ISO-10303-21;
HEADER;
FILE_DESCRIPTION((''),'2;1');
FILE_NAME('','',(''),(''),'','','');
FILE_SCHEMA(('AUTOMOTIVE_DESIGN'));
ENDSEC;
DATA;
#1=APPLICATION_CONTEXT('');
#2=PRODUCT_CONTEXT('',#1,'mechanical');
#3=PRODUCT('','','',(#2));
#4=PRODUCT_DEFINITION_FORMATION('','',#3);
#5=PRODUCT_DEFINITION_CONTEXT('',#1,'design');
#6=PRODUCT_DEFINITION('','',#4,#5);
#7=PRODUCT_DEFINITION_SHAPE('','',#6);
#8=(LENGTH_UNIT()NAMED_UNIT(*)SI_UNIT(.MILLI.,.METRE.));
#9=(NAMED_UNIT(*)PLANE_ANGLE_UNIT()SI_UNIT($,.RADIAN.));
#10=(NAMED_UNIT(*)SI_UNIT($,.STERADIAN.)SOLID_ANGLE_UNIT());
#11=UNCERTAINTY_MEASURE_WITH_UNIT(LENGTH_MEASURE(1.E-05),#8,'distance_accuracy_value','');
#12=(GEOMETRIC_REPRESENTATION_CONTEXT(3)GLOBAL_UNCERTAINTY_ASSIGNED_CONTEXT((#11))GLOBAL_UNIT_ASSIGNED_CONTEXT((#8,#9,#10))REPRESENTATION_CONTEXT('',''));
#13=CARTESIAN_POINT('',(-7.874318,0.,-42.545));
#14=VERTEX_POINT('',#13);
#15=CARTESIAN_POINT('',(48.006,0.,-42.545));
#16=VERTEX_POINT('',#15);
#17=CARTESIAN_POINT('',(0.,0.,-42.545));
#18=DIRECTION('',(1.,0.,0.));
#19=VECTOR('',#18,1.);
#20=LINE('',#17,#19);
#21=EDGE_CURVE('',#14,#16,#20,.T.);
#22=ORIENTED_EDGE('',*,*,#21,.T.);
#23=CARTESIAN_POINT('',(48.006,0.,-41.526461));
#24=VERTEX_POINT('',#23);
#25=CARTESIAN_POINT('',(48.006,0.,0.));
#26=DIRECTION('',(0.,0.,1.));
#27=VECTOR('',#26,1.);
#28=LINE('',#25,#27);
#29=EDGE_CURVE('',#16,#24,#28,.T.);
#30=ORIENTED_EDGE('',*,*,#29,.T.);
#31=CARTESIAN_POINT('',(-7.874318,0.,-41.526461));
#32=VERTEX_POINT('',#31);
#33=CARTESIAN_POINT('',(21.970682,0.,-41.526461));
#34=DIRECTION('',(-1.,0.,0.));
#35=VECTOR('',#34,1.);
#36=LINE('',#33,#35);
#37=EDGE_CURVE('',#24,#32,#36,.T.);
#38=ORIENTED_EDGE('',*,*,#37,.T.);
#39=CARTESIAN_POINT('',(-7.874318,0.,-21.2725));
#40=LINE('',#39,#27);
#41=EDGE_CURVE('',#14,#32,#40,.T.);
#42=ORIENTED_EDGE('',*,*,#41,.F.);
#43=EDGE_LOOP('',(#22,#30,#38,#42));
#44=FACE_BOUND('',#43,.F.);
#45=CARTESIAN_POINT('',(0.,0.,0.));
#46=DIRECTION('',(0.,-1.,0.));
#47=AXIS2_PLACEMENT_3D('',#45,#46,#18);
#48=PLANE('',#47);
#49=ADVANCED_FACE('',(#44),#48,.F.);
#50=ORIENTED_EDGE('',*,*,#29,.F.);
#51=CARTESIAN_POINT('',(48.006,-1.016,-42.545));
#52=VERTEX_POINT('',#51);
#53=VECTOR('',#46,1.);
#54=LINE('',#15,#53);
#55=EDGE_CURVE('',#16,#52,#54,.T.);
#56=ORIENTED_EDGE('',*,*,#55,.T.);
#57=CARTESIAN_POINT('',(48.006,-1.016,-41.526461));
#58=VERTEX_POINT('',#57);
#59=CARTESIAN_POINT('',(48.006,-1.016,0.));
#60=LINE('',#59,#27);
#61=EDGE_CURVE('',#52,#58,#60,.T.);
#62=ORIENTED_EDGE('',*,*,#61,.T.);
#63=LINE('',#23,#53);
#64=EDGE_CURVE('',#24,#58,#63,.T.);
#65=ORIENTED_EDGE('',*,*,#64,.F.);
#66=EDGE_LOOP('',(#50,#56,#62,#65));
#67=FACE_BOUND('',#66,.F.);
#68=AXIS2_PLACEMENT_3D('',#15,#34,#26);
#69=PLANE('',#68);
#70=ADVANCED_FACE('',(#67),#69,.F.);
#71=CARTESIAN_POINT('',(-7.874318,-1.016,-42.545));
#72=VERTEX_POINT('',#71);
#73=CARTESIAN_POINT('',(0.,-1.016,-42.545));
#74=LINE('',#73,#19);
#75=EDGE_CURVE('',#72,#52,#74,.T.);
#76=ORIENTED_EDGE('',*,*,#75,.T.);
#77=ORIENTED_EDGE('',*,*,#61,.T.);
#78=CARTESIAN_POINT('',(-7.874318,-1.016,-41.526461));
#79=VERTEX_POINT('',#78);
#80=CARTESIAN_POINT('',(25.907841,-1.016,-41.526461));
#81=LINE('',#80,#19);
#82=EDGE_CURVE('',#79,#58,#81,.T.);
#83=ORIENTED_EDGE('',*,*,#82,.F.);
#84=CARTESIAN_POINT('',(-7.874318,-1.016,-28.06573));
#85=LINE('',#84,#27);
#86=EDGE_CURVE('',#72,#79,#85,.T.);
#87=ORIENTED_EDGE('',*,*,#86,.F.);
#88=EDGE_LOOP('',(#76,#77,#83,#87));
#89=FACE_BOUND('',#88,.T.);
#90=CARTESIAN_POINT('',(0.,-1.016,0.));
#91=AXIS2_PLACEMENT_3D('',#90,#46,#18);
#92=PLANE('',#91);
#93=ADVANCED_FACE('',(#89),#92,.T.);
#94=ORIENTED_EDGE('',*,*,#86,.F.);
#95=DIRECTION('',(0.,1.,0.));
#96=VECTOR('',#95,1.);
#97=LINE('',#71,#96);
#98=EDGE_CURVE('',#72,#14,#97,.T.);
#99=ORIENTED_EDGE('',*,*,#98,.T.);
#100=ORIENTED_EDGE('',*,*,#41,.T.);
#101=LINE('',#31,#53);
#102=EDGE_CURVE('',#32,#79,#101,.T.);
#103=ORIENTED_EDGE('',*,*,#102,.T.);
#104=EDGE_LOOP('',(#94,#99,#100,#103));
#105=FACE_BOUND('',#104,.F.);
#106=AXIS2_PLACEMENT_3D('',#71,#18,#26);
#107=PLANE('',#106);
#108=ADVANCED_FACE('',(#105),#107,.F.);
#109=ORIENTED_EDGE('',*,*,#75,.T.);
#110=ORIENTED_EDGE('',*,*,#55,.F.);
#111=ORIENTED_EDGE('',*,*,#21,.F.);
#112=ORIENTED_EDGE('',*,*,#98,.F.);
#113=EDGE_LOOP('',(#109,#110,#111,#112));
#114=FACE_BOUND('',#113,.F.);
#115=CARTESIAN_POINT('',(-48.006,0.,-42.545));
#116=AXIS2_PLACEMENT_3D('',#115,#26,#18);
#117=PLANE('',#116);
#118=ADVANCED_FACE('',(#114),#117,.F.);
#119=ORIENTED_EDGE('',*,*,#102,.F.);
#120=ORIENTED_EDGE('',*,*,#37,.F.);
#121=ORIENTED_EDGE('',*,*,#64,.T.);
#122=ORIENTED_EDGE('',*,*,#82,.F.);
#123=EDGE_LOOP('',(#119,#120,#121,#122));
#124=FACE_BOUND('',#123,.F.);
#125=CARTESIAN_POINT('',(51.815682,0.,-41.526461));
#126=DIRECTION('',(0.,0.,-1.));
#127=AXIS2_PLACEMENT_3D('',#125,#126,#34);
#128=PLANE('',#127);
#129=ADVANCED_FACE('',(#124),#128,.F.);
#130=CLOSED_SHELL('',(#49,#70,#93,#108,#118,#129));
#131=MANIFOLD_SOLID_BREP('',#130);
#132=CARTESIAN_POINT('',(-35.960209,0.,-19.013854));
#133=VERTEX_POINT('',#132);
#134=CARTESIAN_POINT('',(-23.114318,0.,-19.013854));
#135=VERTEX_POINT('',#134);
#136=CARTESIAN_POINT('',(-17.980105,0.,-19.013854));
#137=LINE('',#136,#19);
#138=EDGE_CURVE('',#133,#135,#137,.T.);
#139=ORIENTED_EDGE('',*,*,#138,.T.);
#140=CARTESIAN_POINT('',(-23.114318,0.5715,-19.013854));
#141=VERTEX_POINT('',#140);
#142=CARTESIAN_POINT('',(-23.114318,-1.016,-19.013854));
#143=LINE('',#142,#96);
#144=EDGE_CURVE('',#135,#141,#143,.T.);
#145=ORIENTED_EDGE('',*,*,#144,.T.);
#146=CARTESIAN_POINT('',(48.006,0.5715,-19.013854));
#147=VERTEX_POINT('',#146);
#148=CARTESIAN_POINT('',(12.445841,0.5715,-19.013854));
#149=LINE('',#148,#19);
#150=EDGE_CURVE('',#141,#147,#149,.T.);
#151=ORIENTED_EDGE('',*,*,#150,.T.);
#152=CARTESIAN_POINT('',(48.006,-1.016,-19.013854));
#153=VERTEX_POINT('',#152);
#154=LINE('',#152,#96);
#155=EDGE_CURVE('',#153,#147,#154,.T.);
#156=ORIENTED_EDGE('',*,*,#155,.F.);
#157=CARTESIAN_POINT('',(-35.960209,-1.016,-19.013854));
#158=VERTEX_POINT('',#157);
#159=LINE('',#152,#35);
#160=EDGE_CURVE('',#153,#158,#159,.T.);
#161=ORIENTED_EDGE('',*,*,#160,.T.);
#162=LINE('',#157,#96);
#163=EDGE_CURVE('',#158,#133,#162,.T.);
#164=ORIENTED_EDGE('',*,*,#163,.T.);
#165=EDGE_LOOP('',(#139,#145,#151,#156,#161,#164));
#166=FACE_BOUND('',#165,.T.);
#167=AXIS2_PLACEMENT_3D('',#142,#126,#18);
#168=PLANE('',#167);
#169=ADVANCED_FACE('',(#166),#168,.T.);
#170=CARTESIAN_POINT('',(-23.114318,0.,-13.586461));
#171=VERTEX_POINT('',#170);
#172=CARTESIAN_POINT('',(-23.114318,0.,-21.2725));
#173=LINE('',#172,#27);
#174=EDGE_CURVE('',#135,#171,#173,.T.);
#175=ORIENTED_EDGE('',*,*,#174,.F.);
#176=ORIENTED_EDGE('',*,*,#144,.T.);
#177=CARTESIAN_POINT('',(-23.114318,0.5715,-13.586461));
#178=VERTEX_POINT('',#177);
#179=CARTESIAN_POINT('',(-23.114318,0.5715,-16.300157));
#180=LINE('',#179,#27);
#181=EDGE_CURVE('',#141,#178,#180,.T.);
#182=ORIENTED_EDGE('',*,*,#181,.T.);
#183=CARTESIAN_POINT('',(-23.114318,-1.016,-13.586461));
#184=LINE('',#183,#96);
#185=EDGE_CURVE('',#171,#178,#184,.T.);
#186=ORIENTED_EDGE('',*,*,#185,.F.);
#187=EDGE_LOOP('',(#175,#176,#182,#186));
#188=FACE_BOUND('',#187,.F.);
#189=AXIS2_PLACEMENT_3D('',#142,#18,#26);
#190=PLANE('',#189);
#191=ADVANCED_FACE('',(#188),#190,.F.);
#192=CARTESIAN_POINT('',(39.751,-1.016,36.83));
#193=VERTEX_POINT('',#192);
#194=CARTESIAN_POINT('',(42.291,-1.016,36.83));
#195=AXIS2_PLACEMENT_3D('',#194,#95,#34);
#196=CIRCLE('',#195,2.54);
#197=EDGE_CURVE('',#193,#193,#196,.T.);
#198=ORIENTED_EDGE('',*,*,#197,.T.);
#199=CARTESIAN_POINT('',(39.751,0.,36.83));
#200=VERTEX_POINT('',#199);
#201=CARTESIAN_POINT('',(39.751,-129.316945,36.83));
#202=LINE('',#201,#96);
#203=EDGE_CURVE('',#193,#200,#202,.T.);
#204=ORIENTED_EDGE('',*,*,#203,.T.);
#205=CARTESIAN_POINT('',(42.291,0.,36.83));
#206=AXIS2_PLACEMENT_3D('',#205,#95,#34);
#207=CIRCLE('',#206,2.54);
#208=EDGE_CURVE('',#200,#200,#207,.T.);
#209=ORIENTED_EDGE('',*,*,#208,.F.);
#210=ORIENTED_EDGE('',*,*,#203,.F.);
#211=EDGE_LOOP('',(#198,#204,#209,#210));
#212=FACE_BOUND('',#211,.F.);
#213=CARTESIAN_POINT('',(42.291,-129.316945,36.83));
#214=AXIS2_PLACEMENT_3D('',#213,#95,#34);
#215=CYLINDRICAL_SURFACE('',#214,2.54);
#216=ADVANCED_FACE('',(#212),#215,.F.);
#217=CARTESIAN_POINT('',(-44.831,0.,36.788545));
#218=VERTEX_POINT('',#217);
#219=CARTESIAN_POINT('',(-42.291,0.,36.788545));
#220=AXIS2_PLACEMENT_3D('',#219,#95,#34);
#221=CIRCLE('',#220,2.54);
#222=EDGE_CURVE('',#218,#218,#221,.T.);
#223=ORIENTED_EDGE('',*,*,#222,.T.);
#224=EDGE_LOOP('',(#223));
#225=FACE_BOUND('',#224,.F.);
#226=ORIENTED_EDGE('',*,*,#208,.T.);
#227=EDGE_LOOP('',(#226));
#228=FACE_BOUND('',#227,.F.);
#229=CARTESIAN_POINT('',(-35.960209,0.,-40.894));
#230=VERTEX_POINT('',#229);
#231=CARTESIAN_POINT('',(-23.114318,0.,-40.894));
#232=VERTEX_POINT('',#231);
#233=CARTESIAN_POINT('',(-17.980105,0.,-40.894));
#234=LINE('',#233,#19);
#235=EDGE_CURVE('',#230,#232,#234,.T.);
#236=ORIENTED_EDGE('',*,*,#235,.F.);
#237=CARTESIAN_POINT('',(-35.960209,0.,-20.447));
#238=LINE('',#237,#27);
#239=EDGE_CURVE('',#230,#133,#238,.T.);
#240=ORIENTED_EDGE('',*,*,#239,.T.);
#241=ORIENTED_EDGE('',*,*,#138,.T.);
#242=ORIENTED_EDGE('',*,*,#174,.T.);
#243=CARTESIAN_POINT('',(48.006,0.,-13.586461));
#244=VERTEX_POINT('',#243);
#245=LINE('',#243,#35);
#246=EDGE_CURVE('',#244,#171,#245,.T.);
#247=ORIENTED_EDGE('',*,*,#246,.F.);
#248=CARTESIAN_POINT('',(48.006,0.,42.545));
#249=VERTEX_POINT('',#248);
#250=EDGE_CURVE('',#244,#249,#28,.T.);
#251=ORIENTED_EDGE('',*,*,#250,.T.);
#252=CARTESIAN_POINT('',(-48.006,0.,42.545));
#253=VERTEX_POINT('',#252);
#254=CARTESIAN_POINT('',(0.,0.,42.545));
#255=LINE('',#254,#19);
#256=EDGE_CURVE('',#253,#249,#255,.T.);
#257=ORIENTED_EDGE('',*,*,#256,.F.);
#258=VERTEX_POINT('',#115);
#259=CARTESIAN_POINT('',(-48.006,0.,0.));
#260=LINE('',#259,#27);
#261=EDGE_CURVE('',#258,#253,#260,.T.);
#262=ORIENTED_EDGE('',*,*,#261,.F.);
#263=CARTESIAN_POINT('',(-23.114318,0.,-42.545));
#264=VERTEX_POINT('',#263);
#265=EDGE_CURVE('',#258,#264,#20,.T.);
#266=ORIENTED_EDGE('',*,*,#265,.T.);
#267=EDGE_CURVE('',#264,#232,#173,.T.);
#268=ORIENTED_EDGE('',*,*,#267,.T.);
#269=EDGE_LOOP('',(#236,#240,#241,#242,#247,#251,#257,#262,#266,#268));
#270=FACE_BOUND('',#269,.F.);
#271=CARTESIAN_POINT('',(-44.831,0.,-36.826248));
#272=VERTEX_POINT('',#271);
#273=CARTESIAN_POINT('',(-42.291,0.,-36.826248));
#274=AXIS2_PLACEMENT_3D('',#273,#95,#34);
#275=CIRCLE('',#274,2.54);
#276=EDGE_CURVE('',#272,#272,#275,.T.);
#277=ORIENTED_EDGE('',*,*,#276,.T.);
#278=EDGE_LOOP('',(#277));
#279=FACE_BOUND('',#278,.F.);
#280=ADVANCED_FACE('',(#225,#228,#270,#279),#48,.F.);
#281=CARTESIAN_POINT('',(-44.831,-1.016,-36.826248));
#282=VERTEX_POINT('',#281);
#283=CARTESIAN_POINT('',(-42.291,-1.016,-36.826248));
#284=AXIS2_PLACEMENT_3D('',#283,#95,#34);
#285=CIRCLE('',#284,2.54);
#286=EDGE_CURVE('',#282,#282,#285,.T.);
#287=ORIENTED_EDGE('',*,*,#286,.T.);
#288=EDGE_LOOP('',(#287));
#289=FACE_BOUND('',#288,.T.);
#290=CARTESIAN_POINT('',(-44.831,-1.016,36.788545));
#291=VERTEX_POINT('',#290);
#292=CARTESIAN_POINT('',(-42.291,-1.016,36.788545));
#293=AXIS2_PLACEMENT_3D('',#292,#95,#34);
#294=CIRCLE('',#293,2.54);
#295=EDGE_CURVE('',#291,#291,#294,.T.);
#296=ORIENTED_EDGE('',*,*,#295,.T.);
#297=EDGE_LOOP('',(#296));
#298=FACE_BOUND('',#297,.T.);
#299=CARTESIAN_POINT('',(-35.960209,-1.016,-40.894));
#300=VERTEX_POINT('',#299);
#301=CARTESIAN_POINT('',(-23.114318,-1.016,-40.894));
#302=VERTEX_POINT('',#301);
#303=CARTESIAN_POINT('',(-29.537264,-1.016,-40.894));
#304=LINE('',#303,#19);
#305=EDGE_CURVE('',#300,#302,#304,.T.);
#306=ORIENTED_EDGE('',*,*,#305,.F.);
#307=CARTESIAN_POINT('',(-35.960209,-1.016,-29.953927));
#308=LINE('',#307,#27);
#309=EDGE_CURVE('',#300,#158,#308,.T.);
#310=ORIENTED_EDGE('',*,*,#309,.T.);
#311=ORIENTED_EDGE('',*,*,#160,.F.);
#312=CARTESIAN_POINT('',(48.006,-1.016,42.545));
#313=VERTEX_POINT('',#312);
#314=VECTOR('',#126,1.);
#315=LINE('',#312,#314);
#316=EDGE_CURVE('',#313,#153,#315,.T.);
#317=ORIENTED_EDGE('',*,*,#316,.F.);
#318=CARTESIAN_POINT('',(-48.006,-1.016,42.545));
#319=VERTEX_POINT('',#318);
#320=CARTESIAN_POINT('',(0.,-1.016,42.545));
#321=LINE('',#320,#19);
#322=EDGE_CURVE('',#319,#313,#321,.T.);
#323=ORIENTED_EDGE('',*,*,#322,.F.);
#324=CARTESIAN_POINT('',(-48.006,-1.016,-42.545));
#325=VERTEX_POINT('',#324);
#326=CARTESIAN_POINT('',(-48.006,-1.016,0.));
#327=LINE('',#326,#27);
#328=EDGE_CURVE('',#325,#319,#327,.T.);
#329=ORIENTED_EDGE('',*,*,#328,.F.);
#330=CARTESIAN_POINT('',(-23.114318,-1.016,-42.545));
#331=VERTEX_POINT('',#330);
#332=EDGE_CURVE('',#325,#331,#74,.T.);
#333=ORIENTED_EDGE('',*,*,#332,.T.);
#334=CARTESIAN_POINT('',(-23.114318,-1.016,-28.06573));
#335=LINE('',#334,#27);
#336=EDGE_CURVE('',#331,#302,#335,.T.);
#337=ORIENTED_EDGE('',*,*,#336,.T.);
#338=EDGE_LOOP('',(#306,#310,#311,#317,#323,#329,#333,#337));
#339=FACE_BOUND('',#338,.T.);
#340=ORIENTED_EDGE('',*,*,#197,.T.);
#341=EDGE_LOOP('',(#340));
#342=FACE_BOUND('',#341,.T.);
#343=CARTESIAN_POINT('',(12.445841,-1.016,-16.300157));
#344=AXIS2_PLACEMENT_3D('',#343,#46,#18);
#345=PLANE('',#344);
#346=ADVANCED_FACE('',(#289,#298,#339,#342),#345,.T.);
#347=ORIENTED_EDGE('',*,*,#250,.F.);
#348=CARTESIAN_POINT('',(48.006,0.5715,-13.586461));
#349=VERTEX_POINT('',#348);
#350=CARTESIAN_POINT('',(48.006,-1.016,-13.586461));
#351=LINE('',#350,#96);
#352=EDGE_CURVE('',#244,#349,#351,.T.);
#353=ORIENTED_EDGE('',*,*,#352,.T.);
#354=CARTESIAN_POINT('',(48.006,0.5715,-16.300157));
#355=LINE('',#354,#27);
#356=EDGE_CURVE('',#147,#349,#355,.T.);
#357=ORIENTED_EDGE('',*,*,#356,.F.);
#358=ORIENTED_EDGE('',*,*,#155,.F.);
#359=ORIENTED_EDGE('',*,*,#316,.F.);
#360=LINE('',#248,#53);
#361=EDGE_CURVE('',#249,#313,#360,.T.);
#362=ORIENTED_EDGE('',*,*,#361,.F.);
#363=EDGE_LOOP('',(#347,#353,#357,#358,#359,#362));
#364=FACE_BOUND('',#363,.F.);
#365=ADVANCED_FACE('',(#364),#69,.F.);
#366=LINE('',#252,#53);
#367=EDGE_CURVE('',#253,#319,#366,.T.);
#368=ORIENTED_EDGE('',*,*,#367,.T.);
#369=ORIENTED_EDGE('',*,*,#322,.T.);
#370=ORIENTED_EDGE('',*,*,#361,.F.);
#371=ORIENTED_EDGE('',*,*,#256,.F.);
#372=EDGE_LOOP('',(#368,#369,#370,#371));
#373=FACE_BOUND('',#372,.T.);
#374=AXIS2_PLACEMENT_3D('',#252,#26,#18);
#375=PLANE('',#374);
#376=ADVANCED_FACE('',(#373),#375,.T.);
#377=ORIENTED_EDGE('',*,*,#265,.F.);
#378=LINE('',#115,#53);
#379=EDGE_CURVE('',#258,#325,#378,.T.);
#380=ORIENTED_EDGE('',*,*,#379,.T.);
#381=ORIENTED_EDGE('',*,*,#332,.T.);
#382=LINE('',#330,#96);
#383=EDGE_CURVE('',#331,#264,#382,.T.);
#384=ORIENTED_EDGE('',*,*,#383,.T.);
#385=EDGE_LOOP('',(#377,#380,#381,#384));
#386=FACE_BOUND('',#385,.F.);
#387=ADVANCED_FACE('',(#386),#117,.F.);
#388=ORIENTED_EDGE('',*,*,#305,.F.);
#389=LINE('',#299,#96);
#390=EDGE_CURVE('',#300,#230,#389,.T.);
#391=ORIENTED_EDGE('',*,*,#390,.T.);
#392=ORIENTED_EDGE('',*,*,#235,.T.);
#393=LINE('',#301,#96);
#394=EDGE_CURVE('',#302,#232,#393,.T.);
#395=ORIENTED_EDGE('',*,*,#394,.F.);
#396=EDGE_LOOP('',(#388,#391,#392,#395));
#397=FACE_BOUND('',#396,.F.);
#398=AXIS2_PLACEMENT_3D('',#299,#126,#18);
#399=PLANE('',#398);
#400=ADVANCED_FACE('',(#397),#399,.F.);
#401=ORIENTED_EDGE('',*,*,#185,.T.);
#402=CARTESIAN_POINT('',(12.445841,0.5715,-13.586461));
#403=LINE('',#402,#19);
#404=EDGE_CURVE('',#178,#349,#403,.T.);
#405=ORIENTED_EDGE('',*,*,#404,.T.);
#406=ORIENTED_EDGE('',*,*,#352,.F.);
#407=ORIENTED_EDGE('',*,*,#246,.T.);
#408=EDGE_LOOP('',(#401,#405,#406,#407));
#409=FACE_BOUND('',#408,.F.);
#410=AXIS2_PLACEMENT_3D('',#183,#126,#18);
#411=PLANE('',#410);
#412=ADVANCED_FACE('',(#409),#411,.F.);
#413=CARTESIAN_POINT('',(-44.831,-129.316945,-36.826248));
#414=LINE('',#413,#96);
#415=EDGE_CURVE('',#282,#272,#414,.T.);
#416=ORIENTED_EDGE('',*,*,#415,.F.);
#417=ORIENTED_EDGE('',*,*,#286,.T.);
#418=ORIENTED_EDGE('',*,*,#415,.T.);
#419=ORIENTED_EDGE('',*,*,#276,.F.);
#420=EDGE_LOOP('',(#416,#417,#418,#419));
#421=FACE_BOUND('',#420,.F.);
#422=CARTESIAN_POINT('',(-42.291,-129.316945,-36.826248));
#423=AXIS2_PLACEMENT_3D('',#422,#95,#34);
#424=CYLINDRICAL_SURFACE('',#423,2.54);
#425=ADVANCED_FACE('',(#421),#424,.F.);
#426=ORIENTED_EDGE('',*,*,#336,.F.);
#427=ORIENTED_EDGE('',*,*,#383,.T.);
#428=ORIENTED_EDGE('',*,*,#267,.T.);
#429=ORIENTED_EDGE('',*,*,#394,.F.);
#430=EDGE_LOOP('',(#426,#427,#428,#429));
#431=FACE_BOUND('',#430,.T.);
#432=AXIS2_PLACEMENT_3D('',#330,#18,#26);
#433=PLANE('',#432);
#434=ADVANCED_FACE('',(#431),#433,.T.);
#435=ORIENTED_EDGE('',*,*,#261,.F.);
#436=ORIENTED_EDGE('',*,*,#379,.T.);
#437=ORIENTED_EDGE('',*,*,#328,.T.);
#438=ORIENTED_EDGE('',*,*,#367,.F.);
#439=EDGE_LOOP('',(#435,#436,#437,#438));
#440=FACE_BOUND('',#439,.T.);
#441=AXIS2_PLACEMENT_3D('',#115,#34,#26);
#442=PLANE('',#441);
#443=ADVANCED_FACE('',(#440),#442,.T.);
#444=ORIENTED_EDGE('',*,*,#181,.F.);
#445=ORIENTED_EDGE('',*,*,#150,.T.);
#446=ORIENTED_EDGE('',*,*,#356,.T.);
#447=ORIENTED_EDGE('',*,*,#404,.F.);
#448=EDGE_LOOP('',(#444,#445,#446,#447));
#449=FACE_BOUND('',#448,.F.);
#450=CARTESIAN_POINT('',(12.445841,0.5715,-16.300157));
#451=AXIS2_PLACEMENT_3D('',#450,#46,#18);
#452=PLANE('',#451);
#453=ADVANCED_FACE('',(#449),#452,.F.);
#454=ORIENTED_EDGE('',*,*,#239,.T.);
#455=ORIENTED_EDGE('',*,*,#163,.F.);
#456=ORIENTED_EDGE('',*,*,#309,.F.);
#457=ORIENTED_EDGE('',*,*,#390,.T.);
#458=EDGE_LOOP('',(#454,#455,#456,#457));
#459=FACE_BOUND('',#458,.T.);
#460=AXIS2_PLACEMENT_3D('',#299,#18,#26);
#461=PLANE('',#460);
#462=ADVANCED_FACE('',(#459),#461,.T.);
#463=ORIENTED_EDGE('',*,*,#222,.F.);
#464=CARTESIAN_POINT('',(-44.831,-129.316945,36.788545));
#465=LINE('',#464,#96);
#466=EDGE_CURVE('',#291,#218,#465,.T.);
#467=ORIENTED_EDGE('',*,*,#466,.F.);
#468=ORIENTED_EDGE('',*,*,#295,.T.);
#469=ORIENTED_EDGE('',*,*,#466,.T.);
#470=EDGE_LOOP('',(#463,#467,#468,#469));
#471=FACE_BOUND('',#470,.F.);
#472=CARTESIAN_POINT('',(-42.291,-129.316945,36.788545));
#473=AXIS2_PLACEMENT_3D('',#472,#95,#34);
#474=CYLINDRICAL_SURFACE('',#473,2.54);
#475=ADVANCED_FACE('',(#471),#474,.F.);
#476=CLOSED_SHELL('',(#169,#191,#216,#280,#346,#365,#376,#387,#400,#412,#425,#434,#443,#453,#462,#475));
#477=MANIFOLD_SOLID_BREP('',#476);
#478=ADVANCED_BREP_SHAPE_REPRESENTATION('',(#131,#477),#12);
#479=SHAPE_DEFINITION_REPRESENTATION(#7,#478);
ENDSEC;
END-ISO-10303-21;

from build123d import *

# Parameters (mm, degrees)
F0_W      = 96.012
F0_H      = 85.09
F1_DEPTH  = 1.016
F3_W      = 59.69
F3_H      = 27.94
F4_DEPTH  = 25.4
F5_W      = 15.24
F5_H      = 28.9585393873
F6_DEPTH  = 25.4
F7_W      = 71.1203183985
F7_H      = 5.427393131
F8_DEPTH  = 1.5875
F9_W      = 12.8458908007
F9_H      = 21.8801462563
F10_DEPTH = 3.175
F12_D     = 5.08


with BuildPart() as f1:
    # F0 (on Front) → F1 (new body)
    with BuildSketch(Plane.XZ):
        Rectangle(F0_W, F0_H)
    extrude(amount=F1_DEPTH)

    # F3 (on face) → F4 (cut)
    with BuildSketch(Plane(origin=(0, 0, 0), x_dir=(-1, 0, 0), z_dir=(0, 1, 0))):
        with Locations((-21.9706816015, -27.5564606127)):
            Rectangle(F3_W, F3_H)
    extrude(amount=-F4_DEPTH, mode=Mode.SUBTRACT)

    # F5 (on face) → F6 (cut)
    with BuildSketch(Plane.XZ.offset(1.016)):
        with Locations((-15.4943183985, -28.0657303064)):
            Rectangle(F5_W, F5_H)
    extrude(amount=-F6_DEPTH, mode=Mode.SUBTRACT)

    # F7 (on face) → F8 (join)
    with BuildSketch(Plane.XZ.offset(1.016)):
        with Locations((12.4458408007, -16.3001571782)):
            Rectangle(F7_W, F7_H)
    extrude(amount=-F8_DEPTH)

    # F9 (on face) → F10 (cut)
    with BuildSketch(Plane.XZ.offset(1.016)):
        with Locations((-29.5372637989, -29.9539268718)):
            Rectangle(F9_W, F9_H)
    extrude(amount=-F10_DEPTH, mode=Mode.SUBTRACT)

    # F12 (through all)
    with Locations(Plane.XZ.offset(1.016)):
        with Locations((-42.291, 36.7885453174), (-42.291, -36.82624842), (42.291, 36.83)):
            Hole(F12_D / 2)


solid = f1.part
